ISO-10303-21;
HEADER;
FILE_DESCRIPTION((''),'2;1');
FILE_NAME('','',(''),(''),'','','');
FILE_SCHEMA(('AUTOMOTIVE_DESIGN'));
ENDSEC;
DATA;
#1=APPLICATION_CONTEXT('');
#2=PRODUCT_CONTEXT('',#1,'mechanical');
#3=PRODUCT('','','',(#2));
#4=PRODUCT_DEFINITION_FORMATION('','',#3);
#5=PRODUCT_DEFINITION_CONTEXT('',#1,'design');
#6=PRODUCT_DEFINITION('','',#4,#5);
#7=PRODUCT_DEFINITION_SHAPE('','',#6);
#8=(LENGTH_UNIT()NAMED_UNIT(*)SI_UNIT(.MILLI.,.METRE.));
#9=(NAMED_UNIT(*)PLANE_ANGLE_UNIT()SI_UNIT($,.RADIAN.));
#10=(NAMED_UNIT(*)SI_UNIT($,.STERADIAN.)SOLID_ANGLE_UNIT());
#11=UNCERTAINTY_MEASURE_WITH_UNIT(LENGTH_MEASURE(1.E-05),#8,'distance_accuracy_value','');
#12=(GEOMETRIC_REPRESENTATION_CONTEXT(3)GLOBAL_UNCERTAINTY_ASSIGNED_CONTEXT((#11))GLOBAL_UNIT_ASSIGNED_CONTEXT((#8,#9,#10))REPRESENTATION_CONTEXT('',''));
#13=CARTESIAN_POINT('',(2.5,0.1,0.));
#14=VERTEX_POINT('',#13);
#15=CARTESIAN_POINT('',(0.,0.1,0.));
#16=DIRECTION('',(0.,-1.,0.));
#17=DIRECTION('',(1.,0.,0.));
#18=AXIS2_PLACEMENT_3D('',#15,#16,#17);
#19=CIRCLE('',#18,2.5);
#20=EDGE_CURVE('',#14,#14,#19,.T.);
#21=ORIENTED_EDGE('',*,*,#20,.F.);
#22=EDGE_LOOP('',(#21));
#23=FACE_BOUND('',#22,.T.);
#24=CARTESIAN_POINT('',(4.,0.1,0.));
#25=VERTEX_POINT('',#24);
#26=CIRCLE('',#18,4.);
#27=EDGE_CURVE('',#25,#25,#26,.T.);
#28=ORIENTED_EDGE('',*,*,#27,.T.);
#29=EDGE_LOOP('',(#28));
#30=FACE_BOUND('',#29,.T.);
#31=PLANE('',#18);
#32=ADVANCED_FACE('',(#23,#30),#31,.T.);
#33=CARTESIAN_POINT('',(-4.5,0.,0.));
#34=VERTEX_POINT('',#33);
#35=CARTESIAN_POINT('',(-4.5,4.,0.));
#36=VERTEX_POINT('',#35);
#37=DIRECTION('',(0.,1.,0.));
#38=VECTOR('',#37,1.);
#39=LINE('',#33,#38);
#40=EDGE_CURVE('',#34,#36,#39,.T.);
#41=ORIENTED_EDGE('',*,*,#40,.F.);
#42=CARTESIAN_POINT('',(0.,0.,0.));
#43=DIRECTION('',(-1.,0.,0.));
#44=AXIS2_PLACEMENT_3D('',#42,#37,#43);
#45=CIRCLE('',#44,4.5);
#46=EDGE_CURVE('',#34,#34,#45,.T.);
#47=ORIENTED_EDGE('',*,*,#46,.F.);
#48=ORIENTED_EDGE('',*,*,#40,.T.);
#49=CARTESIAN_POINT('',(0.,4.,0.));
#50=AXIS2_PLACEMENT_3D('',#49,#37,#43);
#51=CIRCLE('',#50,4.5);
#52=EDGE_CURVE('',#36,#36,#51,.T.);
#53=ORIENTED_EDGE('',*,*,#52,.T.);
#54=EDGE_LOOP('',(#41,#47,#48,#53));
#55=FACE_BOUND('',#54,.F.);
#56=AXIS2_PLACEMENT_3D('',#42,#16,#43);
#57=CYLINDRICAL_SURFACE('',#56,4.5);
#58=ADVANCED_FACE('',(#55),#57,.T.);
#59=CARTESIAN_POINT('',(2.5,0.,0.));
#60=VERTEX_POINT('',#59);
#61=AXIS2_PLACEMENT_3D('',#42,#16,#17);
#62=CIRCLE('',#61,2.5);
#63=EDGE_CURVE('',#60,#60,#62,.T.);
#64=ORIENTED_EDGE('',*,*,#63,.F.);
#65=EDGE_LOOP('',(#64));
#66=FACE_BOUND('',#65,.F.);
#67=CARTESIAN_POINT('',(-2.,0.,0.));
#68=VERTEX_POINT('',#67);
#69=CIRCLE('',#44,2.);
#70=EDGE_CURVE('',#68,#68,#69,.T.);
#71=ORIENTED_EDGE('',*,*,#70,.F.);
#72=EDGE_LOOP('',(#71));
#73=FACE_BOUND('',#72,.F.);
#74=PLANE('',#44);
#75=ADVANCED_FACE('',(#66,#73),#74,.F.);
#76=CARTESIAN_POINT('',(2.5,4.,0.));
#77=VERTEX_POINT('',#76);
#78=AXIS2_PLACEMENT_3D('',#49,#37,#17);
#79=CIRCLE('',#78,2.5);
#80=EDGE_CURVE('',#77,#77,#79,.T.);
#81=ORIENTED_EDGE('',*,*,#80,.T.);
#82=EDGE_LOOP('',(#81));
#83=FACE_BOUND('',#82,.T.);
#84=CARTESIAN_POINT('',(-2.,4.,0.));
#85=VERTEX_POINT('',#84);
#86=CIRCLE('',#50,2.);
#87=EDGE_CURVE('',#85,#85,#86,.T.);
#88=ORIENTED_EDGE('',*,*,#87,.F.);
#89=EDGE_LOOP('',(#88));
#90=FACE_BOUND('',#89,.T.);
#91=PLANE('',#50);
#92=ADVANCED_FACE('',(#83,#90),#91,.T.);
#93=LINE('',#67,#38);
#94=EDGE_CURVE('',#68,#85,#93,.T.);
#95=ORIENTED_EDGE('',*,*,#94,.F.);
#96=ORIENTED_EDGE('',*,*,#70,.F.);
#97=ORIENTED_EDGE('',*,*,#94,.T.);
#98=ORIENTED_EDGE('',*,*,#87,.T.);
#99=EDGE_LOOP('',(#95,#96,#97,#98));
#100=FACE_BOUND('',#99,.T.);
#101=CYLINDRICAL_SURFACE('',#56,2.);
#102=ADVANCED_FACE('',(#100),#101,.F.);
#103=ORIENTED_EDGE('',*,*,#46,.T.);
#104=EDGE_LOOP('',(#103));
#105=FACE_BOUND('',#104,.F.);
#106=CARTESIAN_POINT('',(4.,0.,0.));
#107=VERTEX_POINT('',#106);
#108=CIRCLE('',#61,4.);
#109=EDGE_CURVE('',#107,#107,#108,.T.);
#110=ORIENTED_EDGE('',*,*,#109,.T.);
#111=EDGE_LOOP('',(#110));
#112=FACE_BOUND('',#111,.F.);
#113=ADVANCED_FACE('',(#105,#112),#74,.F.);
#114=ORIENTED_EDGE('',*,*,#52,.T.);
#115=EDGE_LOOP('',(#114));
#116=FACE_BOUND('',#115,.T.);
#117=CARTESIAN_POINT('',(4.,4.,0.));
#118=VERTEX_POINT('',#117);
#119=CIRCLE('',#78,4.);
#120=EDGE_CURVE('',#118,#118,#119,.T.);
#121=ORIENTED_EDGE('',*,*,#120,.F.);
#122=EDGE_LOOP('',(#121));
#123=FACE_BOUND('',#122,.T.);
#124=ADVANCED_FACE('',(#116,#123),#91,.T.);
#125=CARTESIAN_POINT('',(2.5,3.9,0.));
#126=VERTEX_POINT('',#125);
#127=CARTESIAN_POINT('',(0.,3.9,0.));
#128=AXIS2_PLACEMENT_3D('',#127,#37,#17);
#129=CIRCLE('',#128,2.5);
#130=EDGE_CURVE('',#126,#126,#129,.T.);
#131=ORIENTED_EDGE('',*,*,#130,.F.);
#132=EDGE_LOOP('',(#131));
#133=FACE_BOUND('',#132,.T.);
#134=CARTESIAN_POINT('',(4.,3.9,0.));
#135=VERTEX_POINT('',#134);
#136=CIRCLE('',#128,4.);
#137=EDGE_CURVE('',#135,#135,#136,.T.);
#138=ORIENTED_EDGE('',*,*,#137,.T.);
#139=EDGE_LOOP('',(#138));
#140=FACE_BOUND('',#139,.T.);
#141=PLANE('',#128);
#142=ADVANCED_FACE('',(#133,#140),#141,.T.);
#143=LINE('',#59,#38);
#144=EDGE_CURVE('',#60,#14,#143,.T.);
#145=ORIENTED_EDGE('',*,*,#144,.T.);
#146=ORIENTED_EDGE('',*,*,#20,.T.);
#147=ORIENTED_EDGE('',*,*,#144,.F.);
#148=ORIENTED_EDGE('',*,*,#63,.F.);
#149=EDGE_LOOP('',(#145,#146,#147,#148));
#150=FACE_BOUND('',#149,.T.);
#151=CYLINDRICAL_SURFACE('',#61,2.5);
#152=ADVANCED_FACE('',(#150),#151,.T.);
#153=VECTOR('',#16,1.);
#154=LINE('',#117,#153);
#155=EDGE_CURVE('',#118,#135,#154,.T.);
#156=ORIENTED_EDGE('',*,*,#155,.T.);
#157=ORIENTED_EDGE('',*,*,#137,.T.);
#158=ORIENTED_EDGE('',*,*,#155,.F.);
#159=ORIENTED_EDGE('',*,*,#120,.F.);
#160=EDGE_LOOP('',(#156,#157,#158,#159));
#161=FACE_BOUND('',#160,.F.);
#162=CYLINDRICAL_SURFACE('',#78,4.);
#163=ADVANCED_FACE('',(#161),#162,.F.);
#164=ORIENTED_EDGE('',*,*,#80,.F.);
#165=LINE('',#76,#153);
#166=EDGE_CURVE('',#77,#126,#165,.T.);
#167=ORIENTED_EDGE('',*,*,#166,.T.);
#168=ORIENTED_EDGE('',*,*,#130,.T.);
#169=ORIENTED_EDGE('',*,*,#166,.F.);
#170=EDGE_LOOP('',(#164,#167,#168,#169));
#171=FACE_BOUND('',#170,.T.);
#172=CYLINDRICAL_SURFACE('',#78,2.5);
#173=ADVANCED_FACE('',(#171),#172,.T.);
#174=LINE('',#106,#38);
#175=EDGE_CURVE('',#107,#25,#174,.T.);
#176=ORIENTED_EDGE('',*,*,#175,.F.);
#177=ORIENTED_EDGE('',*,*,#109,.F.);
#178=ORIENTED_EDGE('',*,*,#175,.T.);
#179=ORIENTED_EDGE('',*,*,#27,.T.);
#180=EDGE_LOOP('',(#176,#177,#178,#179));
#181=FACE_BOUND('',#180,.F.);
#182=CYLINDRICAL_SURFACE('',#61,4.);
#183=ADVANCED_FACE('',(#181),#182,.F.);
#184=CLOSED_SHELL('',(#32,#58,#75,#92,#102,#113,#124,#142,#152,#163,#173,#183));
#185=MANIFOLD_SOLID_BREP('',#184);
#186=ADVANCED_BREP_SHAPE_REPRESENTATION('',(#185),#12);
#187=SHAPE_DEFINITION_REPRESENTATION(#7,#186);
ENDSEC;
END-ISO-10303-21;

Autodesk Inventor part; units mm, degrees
ref_plane "YZ Plane" through (0, 0, 0) normal (1, 0, 0) x (0, 1, 0)
ref_plane "XZ Plane" through (0, 0, 0) normal (0, 1, 0) x (-1, 0, 0)
ref_plane "XY Plane" through (0, 0, 0) normal (0, 0, 1) x (1, 0, 0)
sketch "Sketch1" plane through (0, 0, 0) normal (0, 1, 0) x (-1, 0, 0)
  circle A0 centre (0, 0) radius 2
  circle A1 centre (0, 0) radius 4.5
  dimension "d0" = 4
  dimension "d1" = 9
extrude "Extrusion1" add sketch "Sketch1" along normal blind 4
sketch "Sketch2" plane through (0, 4, 0) normal (0, 1, 0) x (1, 0, 0)
  circle A0 centre (0, 0) radius 4.5 projected
  circle A1 centre (0, 0) radius 2 projected
  circle A2 centre (0, 0) radius 2.5
  circle A3 centre (0, 0) radius 2 projected
  circle A4 centre (0, 0) radius 4
  dimension "d4" = 5
  dimension "d5" = 8
extrude "Extrusion2" cut sketch "Sketch2" against normal blind 0.1 contours A4
sketch "Sketch3" plane through (0, 0, 0) normal (0, -1, 0) x (1, 0, 0)
  circle A0 centre (0, 0) radius 4 projected
  circle A1 centre (0, 0) radius 2.5 projected
extrude "Extrusion3" cut sketch "Sketch3" against normal blind 0.1
properties part number "bearing_4_9_4"
